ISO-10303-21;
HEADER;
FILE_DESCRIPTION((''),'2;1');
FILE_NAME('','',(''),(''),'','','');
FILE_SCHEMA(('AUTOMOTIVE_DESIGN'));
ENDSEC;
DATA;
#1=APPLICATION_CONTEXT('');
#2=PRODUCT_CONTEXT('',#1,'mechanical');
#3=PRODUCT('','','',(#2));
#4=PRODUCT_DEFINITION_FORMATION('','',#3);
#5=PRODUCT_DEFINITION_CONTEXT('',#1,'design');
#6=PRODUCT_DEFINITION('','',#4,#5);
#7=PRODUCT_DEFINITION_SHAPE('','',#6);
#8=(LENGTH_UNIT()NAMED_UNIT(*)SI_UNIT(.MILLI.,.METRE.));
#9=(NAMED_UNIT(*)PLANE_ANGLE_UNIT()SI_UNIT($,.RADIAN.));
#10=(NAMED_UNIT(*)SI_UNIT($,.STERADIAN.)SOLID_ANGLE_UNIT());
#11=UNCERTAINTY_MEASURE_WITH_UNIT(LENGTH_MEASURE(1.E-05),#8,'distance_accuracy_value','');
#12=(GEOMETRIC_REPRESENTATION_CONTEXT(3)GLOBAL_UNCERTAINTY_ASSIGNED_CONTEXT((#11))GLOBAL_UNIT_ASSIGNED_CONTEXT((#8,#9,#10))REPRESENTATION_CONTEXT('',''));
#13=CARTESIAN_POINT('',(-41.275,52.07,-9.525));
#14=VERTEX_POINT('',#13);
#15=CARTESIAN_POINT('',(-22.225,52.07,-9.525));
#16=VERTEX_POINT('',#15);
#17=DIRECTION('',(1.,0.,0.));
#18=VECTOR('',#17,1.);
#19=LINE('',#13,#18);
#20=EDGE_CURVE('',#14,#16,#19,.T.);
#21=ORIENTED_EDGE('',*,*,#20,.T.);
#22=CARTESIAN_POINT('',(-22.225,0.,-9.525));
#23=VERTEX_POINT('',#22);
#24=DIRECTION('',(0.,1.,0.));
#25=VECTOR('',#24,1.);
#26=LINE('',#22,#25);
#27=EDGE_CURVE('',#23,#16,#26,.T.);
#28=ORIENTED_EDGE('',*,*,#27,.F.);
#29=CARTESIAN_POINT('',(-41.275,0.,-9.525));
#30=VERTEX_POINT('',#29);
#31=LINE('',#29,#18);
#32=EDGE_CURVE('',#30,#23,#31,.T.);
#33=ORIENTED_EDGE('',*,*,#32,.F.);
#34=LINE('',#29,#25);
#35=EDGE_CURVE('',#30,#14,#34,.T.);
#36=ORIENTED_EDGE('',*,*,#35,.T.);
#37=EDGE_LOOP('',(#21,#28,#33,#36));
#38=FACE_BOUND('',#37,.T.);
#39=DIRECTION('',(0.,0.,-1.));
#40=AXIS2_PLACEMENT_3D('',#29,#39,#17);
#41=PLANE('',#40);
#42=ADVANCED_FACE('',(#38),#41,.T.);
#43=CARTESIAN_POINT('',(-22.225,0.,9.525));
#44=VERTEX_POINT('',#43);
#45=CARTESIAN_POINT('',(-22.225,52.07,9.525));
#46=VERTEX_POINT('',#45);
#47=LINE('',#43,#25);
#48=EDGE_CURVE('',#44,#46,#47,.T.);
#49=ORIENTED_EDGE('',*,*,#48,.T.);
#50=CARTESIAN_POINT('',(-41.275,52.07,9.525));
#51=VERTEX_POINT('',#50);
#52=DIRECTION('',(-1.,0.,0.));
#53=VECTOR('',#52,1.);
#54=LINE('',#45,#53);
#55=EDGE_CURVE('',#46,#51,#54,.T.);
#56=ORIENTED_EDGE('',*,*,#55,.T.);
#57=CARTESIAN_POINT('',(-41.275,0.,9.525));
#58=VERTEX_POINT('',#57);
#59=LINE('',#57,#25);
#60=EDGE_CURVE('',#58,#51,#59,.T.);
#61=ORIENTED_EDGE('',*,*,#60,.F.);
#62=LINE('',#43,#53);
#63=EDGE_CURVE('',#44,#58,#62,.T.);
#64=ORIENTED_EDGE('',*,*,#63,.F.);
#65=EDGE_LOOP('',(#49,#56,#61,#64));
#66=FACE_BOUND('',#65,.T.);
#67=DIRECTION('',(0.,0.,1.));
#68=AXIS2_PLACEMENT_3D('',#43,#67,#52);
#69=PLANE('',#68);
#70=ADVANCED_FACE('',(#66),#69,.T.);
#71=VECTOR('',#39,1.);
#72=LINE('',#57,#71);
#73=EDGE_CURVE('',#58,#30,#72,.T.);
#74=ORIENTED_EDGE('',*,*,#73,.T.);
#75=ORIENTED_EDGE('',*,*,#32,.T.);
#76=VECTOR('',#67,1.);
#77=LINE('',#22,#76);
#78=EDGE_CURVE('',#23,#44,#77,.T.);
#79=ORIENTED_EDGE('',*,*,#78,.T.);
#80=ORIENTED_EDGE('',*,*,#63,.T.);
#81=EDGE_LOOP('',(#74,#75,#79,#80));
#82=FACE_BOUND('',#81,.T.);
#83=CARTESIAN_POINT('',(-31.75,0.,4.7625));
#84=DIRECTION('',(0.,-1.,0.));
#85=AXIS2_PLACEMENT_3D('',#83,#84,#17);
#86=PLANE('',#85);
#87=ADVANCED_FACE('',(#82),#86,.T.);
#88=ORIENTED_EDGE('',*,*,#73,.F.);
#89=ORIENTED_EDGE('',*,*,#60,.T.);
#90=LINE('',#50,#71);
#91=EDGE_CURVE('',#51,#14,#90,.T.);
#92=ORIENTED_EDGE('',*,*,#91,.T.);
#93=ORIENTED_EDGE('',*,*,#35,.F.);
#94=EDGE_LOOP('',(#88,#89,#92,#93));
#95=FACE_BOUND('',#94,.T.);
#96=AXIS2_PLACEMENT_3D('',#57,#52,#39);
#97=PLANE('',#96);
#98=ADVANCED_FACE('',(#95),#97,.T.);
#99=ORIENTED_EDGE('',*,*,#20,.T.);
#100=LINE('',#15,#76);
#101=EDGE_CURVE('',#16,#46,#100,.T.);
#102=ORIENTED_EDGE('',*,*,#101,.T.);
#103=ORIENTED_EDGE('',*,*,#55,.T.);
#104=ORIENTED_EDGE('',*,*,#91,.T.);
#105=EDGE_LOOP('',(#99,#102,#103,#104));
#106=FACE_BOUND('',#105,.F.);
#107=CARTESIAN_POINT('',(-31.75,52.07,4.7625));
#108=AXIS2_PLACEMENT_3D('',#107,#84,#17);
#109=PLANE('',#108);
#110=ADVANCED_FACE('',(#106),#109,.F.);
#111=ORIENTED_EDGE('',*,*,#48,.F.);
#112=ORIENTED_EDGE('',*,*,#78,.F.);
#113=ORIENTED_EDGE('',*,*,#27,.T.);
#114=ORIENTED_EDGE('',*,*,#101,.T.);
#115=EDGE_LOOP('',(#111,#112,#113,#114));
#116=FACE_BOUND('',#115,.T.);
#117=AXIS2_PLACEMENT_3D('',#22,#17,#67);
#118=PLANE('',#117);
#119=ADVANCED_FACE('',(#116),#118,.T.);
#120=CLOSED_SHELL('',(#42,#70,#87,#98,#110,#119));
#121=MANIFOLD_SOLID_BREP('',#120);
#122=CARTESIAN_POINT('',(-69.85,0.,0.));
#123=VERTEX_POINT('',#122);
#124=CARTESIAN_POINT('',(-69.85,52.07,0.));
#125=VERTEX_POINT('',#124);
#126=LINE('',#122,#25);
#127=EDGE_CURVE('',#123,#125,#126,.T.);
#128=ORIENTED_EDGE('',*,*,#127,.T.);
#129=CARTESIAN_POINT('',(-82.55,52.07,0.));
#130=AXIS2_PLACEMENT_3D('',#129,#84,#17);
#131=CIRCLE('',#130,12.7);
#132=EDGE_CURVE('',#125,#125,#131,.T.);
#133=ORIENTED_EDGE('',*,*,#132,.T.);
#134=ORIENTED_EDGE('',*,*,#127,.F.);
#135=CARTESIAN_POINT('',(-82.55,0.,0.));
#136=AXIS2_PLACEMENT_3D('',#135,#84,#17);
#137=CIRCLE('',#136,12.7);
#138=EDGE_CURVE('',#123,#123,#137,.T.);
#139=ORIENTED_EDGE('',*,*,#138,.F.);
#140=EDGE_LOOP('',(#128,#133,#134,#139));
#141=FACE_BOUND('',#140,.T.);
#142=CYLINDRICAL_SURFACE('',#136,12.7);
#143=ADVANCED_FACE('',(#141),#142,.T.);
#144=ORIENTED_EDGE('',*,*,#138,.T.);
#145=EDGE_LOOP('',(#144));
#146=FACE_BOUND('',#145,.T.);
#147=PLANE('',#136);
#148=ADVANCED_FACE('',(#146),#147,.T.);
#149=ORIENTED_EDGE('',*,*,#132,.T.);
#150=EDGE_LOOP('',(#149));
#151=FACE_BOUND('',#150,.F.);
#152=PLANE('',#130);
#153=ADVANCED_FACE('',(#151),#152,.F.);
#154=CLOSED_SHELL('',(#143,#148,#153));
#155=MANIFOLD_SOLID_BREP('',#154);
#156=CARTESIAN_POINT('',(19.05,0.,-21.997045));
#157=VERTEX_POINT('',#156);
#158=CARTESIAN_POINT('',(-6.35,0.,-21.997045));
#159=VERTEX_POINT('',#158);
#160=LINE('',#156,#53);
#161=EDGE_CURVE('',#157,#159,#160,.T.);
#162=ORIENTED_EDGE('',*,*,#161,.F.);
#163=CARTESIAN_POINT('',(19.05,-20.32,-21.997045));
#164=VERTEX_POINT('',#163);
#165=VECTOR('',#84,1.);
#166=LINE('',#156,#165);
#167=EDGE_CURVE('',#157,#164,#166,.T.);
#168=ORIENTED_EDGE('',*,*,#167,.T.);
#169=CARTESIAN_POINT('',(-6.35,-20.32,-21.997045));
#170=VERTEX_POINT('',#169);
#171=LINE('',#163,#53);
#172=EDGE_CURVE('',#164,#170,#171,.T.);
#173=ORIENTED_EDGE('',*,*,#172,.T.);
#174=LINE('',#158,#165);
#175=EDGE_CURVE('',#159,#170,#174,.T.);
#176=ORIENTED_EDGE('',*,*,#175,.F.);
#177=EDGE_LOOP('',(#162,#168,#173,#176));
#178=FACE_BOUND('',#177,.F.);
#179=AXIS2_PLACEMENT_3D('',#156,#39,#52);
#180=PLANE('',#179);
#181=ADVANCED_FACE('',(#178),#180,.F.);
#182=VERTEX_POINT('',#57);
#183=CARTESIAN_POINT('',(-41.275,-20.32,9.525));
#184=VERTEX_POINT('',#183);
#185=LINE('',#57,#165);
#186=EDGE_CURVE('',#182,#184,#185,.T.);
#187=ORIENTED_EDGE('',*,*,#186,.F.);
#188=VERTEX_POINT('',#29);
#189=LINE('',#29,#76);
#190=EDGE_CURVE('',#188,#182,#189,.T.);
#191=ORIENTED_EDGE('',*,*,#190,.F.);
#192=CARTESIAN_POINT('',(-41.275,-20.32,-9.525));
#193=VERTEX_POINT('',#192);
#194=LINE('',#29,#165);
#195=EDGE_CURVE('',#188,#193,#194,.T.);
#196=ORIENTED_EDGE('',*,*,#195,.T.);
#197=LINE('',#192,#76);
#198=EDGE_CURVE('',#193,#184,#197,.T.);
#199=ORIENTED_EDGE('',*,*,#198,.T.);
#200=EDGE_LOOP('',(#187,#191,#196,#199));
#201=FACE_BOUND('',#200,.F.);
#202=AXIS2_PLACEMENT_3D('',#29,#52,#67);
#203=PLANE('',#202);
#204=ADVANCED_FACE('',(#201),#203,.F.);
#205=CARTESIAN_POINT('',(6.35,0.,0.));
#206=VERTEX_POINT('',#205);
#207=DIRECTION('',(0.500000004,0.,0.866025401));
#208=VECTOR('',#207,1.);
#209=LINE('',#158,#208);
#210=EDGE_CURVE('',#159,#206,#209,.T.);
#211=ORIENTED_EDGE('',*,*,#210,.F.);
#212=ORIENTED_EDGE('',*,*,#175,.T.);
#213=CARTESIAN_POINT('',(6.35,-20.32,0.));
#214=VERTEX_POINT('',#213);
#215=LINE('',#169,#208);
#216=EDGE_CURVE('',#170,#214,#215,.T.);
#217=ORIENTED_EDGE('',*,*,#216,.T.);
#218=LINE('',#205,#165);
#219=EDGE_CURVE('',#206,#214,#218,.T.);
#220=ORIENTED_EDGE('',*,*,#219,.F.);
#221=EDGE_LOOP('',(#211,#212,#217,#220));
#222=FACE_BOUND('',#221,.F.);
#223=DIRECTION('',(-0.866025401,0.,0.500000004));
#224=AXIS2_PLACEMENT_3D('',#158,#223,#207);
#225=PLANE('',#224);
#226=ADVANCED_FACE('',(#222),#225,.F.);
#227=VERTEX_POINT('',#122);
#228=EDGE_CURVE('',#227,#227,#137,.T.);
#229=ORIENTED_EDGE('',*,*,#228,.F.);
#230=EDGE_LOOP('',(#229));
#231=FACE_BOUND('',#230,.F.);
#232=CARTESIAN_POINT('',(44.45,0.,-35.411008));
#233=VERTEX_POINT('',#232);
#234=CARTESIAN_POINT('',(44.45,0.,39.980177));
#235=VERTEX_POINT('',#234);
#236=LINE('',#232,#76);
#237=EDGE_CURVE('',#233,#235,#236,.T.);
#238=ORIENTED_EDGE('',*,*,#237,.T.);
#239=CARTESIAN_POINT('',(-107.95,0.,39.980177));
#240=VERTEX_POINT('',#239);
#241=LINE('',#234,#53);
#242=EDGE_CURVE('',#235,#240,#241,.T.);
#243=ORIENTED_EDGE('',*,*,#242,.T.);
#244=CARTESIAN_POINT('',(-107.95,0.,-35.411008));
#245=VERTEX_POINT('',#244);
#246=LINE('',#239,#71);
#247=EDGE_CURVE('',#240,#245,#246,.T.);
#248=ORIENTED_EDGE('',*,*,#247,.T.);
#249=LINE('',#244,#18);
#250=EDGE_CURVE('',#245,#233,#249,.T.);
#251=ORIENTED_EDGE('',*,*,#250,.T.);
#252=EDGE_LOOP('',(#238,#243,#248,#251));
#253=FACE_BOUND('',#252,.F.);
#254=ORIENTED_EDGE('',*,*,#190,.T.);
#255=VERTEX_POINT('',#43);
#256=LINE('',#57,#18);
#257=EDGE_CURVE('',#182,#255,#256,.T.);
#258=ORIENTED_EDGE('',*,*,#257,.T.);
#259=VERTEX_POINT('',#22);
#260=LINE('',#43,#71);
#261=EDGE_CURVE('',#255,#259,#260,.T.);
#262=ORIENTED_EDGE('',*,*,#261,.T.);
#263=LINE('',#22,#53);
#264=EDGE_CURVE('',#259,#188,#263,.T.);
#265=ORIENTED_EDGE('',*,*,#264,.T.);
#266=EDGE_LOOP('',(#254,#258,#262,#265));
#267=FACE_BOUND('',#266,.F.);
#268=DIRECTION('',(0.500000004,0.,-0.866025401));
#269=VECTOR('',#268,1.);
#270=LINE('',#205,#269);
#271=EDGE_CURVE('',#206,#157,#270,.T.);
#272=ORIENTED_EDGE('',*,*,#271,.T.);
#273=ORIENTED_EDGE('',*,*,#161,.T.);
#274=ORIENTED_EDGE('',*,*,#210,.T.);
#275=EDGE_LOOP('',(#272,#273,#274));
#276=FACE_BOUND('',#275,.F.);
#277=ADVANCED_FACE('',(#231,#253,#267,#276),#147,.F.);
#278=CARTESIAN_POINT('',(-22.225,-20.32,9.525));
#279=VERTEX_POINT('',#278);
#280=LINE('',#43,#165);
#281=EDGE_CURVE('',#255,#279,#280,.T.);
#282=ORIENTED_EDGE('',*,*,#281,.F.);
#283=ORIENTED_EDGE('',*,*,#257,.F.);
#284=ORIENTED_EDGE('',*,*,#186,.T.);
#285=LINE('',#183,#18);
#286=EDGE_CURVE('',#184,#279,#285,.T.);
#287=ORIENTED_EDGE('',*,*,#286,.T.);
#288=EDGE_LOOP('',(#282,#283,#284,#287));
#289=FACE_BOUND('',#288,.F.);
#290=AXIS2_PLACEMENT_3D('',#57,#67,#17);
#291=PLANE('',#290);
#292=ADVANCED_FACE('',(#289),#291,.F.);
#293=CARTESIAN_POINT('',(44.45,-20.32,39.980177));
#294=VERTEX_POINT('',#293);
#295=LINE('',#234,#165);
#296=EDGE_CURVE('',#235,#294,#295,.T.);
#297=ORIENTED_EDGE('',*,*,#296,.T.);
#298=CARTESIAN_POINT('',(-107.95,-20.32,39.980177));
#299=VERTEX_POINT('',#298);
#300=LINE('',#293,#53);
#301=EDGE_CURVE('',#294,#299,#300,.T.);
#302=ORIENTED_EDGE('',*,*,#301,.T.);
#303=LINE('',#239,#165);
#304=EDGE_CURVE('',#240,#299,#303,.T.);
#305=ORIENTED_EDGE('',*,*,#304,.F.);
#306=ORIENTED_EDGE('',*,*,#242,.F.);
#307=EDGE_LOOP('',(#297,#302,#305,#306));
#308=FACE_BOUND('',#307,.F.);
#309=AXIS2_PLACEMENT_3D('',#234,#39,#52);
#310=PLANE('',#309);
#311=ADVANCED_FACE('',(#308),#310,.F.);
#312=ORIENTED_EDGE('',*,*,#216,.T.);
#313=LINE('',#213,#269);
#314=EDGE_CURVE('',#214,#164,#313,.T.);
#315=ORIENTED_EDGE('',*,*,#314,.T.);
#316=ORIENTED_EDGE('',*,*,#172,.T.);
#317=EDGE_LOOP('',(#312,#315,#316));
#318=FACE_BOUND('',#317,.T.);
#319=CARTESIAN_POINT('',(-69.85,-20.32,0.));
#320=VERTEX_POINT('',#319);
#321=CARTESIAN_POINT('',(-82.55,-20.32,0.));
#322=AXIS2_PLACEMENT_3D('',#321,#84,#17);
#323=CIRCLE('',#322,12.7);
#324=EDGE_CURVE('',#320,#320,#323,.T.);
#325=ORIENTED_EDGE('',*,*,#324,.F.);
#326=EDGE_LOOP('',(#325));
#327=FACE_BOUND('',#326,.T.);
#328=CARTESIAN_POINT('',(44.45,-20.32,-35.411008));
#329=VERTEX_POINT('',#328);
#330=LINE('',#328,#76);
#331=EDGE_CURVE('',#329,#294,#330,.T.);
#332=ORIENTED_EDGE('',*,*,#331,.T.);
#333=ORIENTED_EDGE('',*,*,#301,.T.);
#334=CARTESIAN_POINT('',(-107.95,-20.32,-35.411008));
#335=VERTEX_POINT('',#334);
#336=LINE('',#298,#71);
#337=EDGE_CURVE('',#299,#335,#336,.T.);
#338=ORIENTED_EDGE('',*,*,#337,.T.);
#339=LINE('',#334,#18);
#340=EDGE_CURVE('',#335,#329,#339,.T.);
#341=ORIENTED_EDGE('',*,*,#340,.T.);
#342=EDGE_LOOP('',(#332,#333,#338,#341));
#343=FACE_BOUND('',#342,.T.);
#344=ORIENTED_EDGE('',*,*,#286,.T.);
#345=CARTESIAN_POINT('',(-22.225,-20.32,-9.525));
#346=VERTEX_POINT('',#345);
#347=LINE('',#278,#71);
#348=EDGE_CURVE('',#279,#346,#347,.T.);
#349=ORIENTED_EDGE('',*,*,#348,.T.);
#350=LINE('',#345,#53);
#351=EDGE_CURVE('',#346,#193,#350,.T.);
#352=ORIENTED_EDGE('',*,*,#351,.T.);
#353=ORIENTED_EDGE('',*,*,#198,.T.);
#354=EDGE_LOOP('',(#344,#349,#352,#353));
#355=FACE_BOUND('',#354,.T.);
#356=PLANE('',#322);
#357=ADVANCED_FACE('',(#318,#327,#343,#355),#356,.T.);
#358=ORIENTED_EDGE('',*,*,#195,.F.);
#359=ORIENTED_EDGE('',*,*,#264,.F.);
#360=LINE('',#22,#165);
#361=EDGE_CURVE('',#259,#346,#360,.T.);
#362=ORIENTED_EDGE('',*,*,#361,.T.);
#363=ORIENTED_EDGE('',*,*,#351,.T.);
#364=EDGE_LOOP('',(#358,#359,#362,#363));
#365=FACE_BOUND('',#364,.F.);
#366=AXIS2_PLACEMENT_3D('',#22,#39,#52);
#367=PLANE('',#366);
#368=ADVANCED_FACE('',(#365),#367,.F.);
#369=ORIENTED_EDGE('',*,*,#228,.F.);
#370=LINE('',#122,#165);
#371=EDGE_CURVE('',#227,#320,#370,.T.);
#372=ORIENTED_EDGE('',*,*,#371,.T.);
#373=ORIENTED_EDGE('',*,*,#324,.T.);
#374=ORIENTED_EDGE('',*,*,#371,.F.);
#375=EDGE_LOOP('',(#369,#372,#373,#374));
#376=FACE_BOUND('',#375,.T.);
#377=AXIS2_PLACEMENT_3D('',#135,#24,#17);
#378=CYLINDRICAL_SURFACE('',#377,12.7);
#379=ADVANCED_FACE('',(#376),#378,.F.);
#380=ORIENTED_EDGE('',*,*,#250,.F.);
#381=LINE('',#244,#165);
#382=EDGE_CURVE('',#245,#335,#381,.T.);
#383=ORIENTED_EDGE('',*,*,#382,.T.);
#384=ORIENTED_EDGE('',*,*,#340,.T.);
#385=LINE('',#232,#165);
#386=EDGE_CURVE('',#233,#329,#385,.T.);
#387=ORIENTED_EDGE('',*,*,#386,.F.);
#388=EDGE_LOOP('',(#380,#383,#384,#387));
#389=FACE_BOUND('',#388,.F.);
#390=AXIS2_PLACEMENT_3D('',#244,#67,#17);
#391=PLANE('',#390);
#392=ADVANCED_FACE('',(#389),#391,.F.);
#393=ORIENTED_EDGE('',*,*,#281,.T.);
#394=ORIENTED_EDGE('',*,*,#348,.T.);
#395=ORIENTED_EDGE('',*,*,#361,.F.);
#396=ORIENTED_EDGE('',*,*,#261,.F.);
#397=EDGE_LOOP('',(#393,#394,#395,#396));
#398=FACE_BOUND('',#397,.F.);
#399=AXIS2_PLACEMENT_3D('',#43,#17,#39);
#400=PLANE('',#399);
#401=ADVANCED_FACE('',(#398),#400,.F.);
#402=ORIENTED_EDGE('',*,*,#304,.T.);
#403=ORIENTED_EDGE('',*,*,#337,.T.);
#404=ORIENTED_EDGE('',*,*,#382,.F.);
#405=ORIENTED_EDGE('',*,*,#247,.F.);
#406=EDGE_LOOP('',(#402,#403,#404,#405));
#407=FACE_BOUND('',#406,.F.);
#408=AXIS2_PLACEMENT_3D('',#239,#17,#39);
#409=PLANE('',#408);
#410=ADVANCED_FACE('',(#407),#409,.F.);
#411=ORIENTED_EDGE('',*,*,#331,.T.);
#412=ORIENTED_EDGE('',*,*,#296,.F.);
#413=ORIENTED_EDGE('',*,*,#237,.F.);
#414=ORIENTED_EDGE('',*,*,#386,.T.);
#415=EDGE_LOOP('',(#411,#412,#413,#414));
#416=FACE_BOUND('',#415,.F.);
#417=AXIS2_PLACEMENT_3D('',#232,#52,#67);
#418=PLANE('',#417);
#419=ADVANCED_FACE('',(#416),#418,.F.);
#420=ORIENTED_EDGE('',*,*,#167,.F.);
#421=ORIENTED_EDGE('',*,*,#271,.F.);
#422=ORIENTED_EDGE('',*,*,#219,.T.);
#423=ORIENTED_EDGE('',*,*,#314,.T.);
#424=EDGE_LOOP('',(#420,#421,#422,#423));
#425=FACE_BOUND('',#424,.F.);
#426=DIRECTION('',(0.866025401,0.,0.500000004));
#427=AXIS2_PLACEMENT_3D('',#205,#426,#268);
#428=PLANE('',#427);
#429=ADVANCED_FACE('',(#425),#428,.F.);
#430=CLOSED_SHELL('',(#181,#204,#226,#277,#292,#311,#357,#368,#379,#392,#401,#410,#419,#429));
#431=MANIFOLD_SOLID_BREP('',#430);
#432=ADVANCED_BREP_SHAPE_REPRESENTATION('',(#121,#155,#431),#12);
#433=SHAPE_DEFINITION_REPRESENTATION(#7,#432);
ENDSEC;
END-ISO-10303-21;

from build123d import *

# Parameters (mm, degrees)
F0_R     = 12.7
F1_DEPTH = 52.07
F2_DEPTH = 20.32


with BuildPart() as f1:
    # F0 (on Front) → F1 (new body)
    with BuildSketch(Plane.XZ):
        with Locations((-82.55, 0)):
            Circle(F0_R)
        Polygon((-31.75, 0), (-22.225, 0), (-22.225, 9.525), (-41.275, 9.525), (-41.275, 0), align=None)
        Polygon((-22.225, -9.525), (-22.225, 0), (-31.75, 0), (-41.275, 0), (-41.275, -9.525), align=None)
    extrude(amount=-F1_DEPTH)


with BuildPart() as f2:
    # F0 (on Front) → F2 (new body)
    with BuildSketch(Plane.XZ):
        with Locations((-82.55, 0)):
            Circle(F0_R)
        Polygon((-107.95, -35.411008), (0, -35.411008), (44.45, -35.411008), (44.45, 39.980177), (-107.95, 39.980177), align=None)
        with Locations((-82.55, 0)):
            Circle(F0_R, mode=Mode.SUBTRACT)
        Polygon((-22.225, 9.525), (-22.225, 0), (-22.225, -9.525), (-41.275, -9.525), (-41.275, 0), (-41.275, 9.525), align=None, mode=Mode.SUBTRACT)
        Polygon((-6.35, -21.997045), (6.35, 0), (19.05, -21.997045), align=None, mode=Mode.SUBTRACT)
    extrude(amount=F2_DEPTH)


solid = Compound([f1.part, f2.part])
